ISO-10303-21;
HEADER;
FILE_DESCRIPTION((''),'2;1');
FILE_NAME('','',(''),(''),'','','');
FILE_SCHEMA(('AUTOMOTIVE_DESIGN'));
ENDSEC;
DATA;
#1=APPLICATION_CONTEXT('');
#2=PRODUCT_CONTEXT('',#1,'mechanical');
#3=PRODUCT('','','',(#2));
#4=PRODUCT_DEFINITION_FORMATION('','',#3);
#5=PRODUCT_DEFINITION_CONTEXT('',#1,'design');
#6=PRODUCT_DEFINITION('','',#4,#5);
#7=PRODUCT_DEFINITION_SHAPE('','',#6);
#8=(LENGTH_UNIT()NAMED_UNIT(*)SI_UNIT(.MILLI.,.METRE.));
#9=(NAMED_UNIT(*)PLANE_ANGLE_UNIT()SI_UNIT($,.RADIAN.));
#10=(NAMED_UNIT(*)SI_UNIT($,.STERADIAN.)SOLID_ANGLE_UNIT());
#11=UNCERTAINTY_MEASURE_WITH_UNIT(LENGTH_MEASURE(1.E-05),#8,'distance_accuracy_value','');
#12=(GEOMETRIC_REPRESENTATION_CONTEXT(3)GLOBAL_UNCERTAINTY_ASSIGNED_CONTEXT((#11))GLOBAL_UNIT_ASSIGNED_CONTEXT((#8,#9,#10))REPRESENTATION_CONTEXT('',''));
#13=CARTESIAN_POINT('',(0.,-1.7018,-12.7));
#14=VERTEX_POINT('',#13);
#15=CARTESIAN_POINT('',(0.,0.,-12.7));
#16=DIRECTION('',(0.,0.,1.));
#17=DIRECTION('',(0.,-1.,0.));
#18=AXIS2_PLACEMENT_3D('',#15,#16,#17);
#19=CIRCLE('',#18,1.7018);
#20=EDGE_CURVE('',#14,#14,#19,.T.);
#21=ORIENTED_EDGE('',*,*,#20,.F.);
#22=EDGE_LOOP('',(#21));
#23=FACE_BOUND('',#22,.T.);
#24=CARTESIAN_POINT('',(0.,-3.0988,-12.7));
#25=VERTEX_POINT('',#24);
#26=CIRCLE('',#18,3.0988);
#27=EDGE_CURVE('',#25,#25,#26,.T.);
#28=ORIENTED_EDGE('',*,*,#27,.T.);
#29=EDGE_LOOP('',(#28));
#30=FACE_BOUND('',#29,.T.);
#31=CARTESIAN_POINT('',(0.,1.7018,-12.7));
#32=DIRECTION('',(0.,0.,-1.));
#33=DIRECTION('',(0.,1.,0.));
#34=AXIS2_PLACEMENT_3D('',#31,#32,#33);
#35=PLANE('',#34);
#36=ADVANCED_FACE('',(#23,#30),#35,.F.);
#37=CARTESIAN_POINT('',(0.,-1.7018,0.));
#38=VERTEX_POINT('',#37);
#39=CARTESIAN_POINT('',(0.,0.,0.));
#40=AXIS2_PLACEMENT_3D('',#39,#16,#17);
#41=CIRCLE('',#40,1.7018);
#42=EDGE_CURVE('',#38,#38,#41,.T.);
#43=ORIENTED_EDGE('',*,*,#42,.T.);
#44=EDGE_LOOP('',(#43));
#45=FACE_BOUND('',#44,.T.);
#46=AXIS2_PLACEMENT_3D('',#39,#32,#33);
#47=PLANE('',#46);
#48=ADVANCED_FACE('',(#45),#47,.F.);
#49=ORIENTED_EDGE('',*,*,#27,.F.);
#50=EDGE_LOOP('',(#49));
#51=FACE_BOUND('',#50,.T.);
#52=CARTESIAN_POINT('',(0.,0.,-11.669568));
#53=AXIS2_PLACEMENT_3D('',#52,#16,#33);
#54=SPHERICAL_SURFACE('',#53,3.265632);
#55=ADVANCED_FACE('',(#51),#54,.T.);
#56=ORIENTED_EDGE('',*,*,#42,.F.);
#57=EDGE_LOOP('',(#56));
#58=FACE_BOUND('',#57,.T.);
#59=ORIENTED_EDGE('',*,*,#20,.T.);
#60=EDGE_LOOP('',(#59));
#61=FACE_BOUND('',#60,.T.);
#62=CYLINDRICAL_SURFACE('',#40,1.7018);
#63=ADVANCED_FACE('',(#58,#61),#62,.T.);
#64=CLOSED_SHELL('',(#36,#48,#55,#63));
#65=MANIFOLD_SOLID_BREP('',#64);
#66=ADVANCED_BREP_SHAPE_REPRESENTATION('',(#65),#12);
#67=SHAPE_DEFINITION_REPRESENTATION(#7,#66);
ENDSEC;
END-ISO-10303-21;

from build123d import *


with BuildPart() as part:
    # Sketch2 → Revolve1 (revolve)
    with BuildSketch(Plane(origin=(0, 0, 0), x_dir=(0, 0, -1), z_dir=(1, 0, 0))):
        with BuildLine():
            Line((0, 0), (0, 1.7018))
            Line((0, 1.7018), (12.7, 1.7018))
            Line((12.7, 1.7018), (12.7, 3.0988))
            ThreePointArc((12.7, 3.0988), (14.318092498, 1.910410982), (14.9352, 0))
            Line((14.9352, 0), (0, 0))
        make_face()
    revolve(axis=Axis((0, 0, 0), (0, 0, -1)))


solid = part.part
